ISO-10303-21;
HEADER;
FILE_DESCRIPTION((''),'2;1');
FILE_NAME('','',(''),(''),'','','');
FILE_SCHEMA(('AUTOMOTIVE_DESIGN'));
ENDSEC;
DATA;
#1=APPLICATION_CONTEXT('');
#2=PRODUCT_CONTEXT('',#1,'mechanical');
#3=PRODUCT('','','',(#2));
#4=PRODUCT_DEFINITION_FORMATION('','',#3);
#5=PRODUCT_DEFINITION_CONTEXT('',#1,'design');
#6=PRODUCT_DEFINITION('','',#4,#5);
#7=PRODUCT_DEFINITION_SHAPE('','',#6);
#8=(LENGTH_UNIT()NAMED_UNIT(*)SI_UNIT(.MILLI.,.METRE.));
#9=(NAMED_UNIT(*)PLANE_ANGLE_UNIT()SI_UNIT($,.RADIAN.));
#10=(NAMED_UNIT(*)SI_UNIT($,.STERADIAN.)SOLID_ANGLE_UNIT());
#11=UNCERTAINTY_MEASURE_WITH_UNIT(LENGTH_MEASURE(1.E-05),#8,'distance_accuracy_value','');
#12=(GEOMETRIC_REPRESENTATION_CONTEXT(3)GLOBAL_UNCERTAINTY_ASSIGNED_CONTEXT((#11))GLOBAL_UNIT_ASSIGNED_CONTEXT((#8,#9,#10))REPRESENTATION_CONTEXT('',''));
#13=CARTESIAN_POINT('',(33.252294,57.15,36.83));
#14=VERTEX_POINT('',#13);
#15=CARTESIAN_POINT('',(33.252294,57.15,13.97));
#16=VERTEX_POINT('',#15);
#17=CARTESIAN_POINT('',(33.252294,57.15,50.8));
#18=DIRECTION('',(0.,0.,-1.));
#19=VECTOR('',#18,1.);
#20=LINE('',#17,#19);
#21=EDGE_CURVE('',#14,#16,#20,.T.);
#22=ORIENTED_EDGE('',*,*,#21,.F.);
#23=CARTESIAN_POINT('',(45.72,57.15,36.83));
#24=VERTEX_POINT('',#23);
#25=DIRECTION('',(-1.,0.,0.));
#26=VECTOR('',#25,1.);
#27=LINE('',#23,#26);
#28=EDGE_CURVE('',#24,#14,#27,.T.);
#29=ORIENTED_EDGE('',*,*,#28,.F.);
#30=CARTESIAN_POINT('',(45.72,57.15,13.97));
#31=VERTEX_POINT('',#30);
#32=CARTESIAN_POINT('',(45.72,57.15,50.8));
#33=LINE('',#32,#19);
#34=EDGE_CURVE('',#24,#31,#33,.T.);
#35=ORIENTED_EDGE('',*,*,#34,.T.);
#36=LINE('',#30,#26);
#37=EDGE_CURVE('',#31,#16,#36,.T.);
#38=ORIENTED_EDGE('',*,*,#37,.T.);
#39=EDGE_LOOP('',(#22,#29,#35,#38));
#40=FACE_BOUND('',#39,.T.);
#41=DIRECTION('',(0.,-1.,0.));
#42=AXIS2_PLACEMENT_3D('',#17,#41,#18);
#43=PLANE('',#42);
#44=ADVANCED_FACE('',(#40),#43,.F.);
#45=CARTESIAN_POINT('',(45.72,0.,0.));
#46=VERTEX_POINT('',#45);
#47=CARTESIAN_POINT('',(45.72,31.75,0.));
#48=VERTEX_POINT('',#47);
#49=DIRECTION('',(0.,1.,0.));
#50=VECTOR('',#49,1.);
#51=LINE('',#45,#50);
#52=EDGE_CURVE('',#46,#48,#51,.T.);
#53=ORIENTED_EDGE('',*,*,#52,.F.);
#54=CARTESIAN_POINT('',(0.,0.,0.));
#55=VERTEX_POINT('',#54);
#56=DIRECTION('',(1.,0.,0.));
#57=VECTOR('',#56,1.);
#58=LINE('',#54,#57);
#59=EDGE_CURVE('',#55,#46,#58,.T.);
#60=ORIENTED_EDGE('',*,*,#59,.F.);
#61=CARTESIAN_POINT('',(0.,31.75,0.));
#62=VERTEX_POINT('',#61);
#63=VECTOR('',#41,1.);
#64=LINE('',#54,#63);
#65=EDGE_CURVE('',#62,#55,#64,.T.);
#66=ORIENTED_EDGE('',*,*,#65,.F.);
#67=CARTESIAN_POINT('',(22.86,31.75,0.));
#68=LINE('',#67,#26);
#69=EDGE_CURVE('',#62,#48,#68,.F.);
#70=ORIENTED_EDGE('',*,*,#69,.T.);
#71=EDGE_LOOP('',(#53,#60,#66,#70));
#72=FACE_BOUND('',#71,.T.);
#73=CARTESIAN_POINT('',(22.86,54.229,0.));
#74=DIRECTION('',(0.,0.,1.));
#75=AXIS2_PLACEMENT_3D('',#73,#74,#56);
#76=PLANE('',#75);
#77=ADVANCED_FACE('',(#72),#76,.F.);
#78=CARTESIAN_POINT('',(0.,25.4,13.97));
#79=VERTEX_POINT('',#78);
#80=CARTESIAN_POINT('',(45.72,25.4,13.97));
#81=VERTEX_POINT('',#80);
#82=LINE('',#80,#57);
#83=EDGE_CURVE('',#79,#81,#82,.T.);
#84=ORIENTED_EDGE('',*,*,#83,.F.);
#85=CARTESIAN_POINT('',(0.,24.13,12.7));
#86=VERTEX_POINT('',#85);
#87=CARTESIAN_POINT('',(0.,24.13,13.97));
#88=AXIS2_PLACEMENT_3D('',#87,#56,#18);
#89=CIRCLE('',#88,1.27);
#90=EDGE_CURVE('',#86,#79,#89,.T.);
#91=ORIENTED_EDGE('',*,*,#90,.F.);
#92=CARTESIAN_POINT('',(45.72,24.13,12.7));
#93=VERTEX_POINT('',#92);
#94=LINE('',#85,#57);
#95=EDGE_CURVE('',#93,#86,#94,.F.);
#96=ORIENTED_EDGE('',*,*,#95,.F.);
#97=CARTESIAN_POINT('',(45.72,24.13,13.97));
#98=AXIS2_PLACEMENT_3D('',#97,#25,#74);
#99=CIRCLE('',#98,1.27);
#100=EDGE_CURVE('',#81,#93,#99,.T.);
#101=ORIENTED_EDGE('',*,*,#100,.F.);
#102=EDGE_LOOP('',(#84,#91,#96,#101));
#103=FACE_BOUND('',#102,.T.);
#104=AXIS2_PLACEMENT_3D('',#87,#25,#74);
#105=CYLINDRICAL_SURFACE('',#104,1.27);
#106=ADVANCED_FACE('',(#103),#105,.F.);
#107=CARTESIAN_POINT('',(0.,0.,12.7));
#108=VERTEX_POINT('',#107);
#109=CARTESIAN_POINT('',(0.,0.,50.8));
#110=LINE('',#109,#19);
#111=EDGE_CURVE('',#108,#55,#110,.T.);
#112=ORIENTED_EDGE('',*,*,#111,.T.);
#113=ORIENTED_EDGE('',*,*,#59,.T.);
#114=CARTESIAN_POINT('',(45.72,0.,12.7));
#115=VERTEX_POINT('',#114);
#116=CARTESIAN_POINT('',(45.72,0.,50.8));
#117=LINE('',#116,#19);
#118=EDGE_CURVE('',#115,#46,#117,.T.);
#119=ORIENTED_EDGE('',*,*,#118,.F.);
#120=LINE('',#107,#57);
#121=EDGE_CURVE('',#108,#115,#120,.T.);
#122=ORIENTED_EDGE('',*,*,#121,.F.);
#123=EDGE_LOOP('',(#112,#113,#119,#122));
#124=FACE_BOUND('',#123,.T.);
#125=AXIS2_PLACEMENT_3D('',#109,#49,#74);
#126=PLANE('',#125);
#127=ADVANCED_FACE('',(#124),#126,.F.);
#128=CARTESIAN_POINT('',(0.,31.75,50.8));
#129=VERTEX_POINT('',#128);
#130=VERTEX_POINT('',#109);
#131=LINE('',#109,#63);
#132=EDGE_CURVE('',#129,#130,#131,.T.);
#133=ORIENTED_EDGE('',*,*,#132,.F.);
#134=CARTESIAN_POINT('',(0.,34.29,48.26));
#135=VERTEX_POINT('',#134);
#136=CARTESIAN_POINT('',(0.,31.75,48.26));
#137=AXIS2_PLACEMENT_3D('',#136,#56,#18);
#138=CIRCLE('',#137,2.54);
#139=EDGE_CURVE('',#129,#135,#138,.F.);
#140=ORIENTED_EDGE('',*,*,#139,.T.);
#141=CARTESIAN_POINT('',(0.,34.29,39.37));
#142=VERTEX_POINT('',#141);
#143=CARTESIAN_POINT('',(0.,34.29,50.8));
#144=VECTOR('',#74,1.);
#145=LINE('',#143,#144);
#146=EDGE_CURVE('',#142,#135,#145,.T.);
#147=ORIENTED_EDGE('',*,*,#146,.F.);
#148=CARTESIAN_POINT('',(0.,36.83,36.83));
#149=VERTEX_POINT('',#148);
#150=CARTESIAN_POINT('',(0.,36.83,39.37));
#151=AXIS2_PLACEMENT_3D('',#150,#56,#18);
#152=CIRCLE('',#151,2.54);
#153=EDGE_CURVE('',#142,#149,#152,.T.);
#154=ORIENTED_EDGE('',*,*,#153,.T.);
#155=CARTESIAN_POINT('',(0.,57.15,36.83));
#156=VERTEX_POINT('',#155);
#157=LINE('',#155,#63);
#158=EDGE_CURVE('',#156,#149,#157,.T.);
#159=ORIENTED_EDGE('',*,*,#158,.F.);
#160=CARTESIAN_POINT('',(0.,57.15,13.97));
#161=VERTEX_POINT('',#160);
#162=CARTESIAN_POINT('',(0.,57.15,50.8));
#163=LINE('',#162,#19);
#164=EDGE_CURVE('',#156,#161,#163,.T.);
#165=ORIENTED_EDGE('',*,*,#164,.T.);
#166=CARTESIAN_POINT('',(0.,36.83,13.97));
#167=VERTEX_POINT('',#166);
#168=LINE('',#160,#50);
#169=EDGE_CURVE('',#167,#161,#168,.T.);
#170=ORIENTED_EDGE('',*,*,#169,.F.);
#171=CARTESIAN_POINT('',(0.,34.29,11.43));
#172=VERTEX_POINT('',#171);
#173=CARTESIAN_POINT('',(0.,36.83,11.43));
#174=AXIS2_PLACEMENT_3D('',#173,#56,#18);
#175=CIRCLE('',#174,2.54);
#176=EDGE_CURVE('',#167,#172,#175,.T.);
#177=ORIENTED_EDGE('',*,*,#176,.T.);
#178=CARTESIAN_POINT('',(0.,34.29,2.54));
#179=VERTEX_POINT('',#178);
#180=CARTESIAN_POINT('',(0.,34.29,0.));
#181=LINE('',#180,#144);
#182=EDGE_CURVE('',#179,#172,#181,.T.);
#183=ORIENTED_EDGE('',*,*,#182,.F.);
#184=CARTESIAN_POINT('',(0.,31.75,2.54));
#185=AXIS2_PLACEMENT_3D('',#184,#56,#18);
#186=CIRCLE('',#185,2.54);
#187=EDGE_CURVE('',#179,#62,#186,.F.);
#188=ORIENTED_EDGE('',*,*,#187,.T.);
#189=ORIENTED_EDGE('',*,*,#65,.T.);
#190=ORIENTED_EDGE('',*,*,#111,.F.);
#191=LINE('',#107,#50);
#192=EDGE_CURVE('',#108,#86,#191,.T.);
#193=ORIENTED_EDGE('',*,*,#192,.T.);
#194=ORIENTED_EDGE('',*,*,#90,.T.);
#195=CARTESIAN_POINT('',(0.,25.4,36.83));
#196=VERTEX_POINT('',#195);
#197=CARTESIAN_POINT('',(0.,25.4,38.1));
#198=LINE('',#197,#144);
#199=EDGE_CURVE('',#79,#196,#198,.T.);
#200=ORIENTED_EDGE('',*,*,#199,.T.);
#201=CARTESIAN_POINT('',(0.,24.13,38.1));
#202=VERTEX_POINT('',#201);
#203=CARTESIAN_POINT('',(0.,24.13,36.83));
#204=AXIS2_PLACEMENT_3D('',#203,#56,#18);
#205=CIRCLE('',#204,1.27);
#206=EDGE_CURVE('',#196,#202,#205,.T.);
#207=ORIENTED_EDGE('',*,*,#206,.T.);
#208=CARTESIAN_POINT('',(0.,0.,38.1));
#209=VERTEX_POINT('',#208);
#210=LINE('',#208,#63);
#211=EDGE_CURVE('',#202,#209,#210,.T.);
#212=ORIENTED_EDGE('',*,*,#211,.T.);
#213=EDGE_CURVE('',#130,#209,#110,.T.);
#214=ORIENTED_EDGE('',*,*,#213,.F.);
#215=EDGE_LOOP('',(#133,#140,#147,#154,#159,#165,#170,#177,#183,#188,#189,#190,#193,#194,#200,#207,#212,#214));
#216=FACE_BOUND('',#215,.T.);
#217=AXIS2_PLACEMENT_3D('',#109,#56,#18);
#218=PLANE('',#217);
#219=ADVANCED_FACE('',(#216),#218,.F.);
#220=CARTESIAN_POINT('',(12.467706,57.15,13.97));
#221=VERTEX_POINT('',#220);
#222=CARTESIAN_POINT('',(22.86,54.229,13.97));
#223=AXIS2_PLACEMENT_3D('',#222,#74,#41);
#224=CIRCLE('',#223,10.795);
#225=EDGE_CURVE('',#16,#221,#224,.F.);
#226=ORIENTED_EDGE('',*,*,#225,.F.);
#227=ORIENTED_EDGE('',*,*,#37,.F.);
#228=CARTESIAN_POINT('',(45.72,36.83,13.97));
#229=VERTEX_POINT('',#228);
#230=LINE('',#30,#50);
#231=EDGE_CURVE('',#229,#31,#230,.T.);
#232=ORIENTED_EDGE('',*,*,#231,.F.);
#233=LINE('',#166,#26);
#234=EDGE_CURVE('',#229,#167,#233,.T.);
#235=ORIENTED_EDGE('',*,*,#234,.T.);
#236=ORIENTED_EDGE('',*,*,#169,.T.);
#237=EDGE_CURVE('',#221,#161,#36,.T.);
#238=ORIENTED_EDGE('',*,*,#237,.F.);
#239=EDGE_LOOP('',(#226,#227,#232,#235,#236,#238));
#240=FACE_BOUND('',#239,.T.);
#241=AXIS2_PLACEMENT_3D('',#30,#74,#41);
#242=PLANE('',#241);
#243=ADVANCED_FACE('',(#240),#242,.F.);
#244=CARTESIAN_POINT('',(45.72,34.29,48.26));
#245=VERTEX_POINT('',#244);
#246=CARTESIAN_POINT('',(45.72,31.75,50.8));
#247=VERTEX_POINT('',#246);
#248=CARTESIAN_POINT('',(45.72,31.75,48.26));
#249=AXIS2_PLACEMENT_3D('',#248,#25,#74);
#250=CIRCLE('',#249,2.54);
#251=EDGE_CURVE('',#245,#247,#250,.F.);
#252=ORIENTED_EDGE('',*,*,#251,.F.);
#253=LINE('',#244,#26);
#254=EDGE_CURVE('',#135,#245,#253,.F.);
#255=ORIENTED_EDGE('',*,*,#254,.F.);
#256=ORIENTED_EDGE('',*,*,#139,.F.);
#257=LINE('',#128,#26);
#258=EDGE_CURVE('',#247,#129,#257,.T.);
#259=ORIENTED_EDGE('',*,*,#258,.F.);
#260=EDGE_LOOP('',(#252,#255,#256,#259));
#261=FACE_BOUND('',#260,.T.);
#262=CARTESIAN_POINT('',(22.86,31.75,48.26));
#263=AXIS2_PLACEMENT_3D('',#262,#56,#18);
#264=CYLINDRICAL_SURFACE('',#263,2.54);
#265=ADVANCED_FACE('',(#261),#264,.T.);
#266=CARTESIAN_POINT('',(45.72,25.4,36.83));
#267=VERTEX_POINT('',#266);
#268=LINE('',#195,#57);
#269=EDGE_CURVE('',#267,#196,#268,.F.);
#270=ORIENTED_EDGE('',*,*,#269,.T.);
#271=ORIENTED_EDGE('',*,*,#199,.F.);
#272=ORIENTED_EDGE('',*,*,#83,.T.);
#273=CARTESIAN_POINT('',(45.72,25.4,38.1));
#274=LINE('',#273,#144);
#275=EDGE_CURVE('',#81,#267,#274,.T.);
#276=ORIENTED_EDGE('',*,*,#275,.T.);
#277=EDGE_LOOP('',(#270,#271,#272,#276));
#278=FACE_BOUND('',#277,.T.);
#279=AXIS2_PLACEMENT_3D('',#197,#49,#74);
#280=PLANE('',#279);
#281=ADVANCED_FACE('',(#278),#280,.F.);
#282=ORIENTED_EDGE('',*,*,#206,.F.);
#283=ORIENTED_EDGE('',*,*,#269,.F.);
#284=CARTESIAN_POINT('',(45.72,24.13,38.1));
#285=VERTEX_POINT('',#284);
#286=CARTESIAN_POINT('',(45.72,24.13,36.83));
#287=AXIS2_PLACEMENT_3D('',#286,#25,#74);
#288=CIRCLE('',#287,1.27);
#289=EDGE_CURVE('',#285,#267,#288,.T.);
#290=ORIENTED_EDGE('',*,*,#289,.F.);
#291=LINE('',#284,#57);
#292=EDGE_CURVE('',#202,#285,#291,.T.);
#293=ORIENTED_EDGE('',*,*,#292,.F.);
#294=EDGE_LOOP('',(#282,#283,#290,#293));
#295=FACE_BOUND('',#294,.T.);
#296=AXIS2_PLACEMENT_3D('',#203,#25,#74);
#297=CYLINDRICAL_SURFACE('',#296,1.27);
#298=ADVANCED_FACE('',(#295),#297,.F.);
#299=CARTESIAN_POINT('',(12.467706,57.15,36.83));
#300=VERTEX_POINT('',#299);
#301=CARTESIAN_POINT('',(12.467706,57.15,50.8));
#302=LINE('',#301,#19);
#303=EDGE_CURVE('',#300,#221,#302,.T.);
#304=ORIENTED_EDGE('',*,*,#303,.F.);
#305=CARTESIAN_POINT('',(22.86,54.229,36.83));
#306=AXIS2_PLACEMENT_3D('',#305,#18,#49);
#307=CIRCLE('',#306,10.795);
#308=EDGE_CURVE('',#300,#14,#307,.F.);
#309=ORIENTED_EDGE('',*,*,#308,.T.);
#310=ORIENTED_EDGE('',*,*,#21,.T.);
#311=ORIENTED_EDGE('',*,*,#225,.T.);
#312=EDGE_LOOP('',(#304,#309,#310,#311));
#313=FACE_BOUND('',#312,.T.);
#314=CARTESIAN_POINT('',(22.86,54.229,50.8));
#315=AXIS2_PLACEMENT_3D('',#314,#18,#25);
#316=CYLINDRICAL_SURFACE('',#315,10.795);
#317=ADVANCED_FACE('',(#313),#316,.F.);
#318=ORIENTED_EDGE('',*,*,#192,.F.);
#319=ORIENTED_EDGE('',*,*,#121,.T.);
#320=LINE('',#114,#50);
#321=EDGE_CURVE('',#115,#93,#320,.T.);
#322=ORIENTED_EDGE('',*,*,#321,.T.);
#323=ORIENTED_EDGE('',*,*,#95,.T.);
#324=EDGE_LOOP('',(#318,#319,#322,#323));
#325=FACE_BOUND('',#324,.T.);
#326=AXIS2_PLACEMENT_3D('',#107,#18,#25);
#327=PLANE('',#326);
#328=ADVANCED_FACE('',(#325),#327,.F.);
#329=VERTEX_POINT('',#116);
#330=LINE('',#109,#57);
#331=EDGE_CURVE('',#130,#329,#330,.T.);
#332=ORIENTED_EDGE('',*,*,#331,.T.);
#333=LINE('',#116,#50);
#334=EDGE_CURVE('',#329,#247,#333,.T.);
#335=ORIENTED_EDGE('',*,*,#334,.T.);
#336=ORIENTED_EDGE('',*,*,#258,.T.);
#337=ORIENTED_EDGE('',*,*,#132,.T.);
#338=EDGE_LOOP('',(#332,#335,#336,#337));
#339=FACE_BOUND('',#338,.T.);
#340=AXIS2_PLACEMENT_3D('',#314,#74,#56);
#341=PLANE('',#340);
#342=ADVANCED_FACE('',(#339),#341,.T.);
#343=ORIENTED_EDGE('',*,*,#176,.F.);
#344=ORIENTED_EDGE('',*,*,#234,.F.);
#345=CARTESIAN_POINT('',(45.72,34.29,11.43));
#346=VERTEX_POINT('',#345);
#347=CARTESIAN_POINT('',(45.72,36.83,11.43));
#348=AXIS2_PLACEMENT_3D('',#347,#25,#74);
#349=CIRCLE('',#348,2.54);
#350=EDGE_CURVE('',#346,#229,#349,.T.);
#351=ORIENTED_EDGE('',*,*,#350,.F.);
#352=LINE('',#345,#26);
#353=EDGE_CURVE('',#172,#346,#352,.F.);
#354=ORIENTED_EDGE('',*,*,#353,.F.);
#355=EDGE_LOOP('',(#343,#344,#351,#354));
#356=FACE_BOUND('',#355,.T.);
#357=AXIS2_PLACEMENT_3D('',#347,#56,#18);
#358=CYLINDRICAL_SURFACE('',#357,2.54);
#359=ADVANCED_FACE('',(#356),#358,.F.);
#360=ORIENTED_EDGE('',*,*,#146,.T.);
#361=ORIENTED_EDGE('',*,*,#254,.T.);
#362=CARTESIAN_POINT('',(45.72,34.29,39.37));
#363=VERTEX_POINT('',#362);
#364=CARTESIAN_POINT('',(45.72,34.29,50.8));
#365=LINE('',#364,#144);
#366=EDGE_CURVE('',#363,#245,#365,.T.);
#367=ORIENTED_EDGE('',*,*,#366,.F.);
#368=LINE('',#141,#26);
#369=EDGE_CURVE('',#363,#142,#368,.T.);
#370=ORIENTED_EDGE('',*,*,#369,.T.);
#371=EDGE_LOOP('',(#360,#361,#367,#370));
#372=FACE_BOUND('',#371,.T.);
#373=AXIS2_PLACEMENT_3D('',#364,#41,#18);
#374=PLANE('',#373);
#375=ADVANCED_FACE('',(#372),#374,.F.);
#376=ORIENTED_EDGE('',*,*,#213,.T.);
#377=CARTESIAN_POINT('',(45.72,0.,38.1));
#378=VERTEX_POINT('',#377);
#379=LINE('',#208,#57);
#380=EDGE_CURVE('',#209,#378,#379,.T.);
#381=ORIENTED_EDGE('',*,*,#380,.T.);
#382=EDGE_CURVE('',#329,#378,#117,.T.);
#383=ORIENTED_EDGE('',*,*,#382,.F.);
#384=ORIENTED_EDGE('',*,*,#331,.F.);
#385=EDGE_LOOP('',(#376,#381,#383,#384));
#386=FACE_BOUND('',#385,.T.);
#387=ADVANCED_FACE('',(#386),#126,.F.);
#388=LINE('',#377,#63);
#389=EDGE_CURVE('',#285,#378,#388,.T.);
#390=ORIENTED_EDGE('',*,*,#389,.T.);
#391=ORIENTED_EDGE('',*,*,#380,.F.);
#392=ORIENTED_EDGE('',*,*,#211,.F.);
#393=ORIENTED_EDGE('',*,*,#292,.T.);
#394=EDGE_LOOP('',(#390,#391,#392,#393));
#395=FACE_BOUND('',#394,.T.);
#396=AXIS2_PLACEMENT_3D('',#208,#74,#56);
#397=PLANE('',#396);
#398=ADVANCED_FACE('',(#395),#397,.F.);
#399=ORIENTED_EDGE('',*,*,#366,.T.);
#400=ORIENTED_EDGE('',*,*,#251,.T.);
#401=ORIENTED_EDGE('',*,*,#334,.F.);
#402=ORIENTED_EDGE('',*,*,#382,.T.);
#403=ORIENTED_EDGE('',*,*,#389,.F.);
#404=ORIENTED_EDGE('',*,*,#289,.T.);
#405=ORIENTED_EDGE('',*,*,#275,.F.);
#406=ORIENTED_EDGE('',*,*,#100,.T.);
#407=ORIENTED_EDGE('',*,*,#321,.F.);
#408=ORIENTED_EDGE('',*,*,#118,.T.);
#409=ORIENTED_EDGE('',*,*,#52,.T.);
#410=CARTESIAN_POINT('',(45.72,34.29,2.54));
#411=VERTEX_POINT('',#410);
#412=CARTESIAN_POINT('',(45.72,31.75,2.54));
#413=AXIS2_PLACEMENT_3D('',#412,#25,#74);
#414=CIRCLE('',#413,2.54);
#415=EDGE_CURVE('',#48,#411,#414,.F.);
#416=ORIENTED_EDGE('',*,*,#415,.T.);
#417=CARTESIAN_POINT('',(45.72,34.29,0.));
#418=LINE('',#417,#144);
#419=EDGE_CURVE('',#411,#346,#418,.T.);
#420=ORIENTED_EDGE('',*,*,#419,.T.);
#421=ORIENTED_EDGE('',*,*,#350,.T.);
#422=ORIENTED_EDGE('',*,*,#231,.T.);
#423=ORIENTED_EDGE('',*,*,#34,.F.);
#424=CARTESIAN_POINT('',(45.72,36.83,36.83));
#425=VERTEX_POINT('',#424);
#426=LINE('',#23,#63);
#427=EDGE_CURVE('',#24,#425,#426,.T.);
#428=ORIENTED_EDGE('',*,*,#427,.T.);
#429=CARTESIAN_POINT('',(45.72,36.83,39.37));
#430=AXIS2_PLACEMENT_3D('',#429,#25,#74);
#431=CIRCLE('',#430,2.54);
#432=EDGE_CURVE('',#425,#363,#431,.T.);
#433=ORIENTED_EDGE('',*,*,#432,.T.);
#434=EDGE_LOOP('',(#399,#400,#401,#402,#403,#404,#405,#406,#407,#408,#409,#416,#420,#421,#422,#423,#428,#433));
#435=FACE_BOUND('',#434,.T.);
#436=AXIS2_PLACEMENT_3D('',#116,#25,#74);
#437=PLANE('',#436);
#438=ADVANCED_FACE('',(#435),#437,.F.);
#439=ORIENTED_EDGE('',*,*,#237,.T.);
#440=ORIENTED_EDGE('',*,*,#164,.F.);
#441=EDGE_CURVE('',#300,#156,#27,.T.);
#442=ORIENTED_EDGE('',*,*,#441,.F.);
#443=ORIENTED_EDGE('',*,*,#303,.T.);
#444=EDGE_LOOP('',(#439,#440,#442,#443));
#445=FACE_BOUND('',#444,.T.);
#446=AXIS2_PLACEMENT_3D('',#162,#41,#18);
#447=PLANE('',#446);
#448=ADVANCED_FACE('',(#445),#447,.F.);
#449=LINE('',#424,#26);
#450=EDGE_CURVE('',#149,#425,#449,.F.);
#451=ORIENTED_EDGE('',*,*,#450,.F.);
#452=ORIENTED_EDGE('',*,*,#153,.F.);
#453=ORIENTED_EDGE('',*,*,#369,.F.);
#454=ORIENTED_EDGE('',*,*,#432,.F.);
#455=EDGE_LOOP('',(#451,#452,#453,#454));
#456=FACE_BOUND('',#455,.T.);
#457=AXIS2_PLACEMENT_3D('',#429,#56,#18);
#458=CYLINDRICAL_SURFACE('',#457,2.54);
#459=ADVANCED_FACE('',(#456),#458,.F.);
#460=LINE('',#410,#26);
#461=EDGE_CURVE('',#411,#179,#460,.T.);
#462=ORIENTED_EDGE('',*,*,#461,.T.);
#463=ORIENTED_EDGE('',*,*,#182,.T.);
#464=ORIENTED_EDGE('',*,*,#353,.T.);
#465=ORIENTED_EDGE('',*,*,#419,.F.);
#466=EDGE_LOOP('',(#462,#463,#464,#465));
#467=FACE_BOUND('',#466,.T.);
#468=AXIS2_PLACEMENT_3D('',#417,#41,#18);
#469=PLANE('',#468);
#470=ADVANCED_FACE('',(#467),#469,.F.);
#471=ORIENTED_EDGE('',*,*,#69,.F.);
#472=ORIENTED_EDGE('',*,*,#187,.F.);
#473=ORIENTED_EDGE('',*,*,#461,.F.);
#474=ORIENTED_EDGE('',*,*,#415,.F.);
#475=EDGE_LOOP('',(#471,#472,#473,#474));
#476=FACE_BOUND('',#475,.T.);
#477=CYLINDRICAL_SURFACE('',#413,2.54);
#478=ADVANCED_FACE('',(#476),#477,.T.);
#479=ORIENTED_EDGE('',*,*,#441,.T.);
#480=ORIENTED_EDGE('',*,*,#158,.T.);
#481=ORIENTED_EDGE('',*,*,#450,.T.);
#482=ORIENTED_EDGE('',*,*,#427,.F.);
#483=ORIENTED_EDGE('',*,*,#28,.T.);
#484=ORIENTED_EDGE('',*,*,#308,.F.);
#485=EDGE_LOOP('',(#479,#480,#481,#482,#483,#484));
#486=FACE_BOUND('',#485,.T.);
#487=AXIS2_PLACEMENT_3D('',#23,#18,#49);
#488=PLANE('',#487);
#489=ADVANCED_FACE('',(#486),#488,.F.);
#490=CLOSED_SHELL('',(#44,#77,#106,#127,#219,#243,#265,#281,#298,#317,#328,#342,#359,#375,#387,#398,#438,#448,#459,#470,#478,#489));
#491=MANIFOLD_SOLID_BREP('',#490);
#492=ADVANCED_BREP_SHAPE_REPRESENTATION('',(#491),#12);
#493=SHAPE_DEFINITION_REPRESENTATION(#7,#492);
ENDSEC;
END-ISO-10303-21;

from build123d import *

# Parameters (mm, degrees)
BOSS_EXTRUDE1_DEPTH = 50.8
SKETCH2_W           = 25.4
SKETCH2_H           = 25.4
CUT_EXTRUDE1_DEPTH  = 90.090296329
FILLET1_R           = 1.27
SKETCH4_W           = 13.97
SKETCH4_H           = 22.86
CUT_EXTRUDE2_DEPTH  = 90.090296329
FILLET2_R           = 2.54


with BuildPart() as part:
    # Sketch1 → Boss-Extrude1 (new body)
    with BuildSketch(Plane.XY):
        with BuildLine():
            Line((33.252294453, 57.15), (45.72, 57.15))
            Line((45.72, 57.15), (45.72, 0))
            Line((45.72, 0), (0, 0))
            Line((0, 0), (0, 57.15))
            Line((0, 57.15), (12.467705547, 57.15))
            ThreePointArc((12.467705547, 57.15), (22.86, 43.434), (33.252294453, 57.15))
        make_face()
    extrude(amount=BOSS_EXTRUDE1_DEPTH)

    # Sketch2 → Cut-Extrude1 (cut, through all)
    with BuildSketch(Plane(origin=(45.72, 0, 0), x_dir=(0, 0, -1), z_dir=(1, 0, 0))):
        with Locations((-25.4, 12.7)):
            Rectangle(SKETCH2_W, SKETCH2_H)
    extrude(amount=-CUT_EXTRUDE1_DEPTH, mode=Mode.SUBTRACT)

    # Fillet1
    fillet1_edges = [part.edges().sort_by_distance(p)[0] for p in [
        (22.86, 25.4, 38.1),
        (22.86, 25.4, 12.7),
    ]]
    fillet(fillet1_edges, radius=FILLET1_R)

    # Sketch4 → Cut-Extrude2 (cut, through all)
    with BuildSketch(Plane.ZY):
        with Locations((43.815, 45.72)):
            Rectangle(SKETCH4_W, SKETCH4_H)
        with Locations((6.985, 45.72)):
            Rectangle(SKETCH4_W, SKETCH4_H)
    extrude(amount=-CUT_EXTRUDE2_DEPTH, mode=Mode.SUBTRACT)

    # Fillet2
    fillet2_edges = [part.edges().sort_by_distance(p)[0] for p in [
        (22.86, 34.29, 36.83),
        (22.86, 34.29, 50.8),
        (22.86, 34.29, 0),
        (22.86, 34.29, 13.97),
    ]]
    fillet(fillet2_edges, radius=FILLET2_R)


solid = part.part
